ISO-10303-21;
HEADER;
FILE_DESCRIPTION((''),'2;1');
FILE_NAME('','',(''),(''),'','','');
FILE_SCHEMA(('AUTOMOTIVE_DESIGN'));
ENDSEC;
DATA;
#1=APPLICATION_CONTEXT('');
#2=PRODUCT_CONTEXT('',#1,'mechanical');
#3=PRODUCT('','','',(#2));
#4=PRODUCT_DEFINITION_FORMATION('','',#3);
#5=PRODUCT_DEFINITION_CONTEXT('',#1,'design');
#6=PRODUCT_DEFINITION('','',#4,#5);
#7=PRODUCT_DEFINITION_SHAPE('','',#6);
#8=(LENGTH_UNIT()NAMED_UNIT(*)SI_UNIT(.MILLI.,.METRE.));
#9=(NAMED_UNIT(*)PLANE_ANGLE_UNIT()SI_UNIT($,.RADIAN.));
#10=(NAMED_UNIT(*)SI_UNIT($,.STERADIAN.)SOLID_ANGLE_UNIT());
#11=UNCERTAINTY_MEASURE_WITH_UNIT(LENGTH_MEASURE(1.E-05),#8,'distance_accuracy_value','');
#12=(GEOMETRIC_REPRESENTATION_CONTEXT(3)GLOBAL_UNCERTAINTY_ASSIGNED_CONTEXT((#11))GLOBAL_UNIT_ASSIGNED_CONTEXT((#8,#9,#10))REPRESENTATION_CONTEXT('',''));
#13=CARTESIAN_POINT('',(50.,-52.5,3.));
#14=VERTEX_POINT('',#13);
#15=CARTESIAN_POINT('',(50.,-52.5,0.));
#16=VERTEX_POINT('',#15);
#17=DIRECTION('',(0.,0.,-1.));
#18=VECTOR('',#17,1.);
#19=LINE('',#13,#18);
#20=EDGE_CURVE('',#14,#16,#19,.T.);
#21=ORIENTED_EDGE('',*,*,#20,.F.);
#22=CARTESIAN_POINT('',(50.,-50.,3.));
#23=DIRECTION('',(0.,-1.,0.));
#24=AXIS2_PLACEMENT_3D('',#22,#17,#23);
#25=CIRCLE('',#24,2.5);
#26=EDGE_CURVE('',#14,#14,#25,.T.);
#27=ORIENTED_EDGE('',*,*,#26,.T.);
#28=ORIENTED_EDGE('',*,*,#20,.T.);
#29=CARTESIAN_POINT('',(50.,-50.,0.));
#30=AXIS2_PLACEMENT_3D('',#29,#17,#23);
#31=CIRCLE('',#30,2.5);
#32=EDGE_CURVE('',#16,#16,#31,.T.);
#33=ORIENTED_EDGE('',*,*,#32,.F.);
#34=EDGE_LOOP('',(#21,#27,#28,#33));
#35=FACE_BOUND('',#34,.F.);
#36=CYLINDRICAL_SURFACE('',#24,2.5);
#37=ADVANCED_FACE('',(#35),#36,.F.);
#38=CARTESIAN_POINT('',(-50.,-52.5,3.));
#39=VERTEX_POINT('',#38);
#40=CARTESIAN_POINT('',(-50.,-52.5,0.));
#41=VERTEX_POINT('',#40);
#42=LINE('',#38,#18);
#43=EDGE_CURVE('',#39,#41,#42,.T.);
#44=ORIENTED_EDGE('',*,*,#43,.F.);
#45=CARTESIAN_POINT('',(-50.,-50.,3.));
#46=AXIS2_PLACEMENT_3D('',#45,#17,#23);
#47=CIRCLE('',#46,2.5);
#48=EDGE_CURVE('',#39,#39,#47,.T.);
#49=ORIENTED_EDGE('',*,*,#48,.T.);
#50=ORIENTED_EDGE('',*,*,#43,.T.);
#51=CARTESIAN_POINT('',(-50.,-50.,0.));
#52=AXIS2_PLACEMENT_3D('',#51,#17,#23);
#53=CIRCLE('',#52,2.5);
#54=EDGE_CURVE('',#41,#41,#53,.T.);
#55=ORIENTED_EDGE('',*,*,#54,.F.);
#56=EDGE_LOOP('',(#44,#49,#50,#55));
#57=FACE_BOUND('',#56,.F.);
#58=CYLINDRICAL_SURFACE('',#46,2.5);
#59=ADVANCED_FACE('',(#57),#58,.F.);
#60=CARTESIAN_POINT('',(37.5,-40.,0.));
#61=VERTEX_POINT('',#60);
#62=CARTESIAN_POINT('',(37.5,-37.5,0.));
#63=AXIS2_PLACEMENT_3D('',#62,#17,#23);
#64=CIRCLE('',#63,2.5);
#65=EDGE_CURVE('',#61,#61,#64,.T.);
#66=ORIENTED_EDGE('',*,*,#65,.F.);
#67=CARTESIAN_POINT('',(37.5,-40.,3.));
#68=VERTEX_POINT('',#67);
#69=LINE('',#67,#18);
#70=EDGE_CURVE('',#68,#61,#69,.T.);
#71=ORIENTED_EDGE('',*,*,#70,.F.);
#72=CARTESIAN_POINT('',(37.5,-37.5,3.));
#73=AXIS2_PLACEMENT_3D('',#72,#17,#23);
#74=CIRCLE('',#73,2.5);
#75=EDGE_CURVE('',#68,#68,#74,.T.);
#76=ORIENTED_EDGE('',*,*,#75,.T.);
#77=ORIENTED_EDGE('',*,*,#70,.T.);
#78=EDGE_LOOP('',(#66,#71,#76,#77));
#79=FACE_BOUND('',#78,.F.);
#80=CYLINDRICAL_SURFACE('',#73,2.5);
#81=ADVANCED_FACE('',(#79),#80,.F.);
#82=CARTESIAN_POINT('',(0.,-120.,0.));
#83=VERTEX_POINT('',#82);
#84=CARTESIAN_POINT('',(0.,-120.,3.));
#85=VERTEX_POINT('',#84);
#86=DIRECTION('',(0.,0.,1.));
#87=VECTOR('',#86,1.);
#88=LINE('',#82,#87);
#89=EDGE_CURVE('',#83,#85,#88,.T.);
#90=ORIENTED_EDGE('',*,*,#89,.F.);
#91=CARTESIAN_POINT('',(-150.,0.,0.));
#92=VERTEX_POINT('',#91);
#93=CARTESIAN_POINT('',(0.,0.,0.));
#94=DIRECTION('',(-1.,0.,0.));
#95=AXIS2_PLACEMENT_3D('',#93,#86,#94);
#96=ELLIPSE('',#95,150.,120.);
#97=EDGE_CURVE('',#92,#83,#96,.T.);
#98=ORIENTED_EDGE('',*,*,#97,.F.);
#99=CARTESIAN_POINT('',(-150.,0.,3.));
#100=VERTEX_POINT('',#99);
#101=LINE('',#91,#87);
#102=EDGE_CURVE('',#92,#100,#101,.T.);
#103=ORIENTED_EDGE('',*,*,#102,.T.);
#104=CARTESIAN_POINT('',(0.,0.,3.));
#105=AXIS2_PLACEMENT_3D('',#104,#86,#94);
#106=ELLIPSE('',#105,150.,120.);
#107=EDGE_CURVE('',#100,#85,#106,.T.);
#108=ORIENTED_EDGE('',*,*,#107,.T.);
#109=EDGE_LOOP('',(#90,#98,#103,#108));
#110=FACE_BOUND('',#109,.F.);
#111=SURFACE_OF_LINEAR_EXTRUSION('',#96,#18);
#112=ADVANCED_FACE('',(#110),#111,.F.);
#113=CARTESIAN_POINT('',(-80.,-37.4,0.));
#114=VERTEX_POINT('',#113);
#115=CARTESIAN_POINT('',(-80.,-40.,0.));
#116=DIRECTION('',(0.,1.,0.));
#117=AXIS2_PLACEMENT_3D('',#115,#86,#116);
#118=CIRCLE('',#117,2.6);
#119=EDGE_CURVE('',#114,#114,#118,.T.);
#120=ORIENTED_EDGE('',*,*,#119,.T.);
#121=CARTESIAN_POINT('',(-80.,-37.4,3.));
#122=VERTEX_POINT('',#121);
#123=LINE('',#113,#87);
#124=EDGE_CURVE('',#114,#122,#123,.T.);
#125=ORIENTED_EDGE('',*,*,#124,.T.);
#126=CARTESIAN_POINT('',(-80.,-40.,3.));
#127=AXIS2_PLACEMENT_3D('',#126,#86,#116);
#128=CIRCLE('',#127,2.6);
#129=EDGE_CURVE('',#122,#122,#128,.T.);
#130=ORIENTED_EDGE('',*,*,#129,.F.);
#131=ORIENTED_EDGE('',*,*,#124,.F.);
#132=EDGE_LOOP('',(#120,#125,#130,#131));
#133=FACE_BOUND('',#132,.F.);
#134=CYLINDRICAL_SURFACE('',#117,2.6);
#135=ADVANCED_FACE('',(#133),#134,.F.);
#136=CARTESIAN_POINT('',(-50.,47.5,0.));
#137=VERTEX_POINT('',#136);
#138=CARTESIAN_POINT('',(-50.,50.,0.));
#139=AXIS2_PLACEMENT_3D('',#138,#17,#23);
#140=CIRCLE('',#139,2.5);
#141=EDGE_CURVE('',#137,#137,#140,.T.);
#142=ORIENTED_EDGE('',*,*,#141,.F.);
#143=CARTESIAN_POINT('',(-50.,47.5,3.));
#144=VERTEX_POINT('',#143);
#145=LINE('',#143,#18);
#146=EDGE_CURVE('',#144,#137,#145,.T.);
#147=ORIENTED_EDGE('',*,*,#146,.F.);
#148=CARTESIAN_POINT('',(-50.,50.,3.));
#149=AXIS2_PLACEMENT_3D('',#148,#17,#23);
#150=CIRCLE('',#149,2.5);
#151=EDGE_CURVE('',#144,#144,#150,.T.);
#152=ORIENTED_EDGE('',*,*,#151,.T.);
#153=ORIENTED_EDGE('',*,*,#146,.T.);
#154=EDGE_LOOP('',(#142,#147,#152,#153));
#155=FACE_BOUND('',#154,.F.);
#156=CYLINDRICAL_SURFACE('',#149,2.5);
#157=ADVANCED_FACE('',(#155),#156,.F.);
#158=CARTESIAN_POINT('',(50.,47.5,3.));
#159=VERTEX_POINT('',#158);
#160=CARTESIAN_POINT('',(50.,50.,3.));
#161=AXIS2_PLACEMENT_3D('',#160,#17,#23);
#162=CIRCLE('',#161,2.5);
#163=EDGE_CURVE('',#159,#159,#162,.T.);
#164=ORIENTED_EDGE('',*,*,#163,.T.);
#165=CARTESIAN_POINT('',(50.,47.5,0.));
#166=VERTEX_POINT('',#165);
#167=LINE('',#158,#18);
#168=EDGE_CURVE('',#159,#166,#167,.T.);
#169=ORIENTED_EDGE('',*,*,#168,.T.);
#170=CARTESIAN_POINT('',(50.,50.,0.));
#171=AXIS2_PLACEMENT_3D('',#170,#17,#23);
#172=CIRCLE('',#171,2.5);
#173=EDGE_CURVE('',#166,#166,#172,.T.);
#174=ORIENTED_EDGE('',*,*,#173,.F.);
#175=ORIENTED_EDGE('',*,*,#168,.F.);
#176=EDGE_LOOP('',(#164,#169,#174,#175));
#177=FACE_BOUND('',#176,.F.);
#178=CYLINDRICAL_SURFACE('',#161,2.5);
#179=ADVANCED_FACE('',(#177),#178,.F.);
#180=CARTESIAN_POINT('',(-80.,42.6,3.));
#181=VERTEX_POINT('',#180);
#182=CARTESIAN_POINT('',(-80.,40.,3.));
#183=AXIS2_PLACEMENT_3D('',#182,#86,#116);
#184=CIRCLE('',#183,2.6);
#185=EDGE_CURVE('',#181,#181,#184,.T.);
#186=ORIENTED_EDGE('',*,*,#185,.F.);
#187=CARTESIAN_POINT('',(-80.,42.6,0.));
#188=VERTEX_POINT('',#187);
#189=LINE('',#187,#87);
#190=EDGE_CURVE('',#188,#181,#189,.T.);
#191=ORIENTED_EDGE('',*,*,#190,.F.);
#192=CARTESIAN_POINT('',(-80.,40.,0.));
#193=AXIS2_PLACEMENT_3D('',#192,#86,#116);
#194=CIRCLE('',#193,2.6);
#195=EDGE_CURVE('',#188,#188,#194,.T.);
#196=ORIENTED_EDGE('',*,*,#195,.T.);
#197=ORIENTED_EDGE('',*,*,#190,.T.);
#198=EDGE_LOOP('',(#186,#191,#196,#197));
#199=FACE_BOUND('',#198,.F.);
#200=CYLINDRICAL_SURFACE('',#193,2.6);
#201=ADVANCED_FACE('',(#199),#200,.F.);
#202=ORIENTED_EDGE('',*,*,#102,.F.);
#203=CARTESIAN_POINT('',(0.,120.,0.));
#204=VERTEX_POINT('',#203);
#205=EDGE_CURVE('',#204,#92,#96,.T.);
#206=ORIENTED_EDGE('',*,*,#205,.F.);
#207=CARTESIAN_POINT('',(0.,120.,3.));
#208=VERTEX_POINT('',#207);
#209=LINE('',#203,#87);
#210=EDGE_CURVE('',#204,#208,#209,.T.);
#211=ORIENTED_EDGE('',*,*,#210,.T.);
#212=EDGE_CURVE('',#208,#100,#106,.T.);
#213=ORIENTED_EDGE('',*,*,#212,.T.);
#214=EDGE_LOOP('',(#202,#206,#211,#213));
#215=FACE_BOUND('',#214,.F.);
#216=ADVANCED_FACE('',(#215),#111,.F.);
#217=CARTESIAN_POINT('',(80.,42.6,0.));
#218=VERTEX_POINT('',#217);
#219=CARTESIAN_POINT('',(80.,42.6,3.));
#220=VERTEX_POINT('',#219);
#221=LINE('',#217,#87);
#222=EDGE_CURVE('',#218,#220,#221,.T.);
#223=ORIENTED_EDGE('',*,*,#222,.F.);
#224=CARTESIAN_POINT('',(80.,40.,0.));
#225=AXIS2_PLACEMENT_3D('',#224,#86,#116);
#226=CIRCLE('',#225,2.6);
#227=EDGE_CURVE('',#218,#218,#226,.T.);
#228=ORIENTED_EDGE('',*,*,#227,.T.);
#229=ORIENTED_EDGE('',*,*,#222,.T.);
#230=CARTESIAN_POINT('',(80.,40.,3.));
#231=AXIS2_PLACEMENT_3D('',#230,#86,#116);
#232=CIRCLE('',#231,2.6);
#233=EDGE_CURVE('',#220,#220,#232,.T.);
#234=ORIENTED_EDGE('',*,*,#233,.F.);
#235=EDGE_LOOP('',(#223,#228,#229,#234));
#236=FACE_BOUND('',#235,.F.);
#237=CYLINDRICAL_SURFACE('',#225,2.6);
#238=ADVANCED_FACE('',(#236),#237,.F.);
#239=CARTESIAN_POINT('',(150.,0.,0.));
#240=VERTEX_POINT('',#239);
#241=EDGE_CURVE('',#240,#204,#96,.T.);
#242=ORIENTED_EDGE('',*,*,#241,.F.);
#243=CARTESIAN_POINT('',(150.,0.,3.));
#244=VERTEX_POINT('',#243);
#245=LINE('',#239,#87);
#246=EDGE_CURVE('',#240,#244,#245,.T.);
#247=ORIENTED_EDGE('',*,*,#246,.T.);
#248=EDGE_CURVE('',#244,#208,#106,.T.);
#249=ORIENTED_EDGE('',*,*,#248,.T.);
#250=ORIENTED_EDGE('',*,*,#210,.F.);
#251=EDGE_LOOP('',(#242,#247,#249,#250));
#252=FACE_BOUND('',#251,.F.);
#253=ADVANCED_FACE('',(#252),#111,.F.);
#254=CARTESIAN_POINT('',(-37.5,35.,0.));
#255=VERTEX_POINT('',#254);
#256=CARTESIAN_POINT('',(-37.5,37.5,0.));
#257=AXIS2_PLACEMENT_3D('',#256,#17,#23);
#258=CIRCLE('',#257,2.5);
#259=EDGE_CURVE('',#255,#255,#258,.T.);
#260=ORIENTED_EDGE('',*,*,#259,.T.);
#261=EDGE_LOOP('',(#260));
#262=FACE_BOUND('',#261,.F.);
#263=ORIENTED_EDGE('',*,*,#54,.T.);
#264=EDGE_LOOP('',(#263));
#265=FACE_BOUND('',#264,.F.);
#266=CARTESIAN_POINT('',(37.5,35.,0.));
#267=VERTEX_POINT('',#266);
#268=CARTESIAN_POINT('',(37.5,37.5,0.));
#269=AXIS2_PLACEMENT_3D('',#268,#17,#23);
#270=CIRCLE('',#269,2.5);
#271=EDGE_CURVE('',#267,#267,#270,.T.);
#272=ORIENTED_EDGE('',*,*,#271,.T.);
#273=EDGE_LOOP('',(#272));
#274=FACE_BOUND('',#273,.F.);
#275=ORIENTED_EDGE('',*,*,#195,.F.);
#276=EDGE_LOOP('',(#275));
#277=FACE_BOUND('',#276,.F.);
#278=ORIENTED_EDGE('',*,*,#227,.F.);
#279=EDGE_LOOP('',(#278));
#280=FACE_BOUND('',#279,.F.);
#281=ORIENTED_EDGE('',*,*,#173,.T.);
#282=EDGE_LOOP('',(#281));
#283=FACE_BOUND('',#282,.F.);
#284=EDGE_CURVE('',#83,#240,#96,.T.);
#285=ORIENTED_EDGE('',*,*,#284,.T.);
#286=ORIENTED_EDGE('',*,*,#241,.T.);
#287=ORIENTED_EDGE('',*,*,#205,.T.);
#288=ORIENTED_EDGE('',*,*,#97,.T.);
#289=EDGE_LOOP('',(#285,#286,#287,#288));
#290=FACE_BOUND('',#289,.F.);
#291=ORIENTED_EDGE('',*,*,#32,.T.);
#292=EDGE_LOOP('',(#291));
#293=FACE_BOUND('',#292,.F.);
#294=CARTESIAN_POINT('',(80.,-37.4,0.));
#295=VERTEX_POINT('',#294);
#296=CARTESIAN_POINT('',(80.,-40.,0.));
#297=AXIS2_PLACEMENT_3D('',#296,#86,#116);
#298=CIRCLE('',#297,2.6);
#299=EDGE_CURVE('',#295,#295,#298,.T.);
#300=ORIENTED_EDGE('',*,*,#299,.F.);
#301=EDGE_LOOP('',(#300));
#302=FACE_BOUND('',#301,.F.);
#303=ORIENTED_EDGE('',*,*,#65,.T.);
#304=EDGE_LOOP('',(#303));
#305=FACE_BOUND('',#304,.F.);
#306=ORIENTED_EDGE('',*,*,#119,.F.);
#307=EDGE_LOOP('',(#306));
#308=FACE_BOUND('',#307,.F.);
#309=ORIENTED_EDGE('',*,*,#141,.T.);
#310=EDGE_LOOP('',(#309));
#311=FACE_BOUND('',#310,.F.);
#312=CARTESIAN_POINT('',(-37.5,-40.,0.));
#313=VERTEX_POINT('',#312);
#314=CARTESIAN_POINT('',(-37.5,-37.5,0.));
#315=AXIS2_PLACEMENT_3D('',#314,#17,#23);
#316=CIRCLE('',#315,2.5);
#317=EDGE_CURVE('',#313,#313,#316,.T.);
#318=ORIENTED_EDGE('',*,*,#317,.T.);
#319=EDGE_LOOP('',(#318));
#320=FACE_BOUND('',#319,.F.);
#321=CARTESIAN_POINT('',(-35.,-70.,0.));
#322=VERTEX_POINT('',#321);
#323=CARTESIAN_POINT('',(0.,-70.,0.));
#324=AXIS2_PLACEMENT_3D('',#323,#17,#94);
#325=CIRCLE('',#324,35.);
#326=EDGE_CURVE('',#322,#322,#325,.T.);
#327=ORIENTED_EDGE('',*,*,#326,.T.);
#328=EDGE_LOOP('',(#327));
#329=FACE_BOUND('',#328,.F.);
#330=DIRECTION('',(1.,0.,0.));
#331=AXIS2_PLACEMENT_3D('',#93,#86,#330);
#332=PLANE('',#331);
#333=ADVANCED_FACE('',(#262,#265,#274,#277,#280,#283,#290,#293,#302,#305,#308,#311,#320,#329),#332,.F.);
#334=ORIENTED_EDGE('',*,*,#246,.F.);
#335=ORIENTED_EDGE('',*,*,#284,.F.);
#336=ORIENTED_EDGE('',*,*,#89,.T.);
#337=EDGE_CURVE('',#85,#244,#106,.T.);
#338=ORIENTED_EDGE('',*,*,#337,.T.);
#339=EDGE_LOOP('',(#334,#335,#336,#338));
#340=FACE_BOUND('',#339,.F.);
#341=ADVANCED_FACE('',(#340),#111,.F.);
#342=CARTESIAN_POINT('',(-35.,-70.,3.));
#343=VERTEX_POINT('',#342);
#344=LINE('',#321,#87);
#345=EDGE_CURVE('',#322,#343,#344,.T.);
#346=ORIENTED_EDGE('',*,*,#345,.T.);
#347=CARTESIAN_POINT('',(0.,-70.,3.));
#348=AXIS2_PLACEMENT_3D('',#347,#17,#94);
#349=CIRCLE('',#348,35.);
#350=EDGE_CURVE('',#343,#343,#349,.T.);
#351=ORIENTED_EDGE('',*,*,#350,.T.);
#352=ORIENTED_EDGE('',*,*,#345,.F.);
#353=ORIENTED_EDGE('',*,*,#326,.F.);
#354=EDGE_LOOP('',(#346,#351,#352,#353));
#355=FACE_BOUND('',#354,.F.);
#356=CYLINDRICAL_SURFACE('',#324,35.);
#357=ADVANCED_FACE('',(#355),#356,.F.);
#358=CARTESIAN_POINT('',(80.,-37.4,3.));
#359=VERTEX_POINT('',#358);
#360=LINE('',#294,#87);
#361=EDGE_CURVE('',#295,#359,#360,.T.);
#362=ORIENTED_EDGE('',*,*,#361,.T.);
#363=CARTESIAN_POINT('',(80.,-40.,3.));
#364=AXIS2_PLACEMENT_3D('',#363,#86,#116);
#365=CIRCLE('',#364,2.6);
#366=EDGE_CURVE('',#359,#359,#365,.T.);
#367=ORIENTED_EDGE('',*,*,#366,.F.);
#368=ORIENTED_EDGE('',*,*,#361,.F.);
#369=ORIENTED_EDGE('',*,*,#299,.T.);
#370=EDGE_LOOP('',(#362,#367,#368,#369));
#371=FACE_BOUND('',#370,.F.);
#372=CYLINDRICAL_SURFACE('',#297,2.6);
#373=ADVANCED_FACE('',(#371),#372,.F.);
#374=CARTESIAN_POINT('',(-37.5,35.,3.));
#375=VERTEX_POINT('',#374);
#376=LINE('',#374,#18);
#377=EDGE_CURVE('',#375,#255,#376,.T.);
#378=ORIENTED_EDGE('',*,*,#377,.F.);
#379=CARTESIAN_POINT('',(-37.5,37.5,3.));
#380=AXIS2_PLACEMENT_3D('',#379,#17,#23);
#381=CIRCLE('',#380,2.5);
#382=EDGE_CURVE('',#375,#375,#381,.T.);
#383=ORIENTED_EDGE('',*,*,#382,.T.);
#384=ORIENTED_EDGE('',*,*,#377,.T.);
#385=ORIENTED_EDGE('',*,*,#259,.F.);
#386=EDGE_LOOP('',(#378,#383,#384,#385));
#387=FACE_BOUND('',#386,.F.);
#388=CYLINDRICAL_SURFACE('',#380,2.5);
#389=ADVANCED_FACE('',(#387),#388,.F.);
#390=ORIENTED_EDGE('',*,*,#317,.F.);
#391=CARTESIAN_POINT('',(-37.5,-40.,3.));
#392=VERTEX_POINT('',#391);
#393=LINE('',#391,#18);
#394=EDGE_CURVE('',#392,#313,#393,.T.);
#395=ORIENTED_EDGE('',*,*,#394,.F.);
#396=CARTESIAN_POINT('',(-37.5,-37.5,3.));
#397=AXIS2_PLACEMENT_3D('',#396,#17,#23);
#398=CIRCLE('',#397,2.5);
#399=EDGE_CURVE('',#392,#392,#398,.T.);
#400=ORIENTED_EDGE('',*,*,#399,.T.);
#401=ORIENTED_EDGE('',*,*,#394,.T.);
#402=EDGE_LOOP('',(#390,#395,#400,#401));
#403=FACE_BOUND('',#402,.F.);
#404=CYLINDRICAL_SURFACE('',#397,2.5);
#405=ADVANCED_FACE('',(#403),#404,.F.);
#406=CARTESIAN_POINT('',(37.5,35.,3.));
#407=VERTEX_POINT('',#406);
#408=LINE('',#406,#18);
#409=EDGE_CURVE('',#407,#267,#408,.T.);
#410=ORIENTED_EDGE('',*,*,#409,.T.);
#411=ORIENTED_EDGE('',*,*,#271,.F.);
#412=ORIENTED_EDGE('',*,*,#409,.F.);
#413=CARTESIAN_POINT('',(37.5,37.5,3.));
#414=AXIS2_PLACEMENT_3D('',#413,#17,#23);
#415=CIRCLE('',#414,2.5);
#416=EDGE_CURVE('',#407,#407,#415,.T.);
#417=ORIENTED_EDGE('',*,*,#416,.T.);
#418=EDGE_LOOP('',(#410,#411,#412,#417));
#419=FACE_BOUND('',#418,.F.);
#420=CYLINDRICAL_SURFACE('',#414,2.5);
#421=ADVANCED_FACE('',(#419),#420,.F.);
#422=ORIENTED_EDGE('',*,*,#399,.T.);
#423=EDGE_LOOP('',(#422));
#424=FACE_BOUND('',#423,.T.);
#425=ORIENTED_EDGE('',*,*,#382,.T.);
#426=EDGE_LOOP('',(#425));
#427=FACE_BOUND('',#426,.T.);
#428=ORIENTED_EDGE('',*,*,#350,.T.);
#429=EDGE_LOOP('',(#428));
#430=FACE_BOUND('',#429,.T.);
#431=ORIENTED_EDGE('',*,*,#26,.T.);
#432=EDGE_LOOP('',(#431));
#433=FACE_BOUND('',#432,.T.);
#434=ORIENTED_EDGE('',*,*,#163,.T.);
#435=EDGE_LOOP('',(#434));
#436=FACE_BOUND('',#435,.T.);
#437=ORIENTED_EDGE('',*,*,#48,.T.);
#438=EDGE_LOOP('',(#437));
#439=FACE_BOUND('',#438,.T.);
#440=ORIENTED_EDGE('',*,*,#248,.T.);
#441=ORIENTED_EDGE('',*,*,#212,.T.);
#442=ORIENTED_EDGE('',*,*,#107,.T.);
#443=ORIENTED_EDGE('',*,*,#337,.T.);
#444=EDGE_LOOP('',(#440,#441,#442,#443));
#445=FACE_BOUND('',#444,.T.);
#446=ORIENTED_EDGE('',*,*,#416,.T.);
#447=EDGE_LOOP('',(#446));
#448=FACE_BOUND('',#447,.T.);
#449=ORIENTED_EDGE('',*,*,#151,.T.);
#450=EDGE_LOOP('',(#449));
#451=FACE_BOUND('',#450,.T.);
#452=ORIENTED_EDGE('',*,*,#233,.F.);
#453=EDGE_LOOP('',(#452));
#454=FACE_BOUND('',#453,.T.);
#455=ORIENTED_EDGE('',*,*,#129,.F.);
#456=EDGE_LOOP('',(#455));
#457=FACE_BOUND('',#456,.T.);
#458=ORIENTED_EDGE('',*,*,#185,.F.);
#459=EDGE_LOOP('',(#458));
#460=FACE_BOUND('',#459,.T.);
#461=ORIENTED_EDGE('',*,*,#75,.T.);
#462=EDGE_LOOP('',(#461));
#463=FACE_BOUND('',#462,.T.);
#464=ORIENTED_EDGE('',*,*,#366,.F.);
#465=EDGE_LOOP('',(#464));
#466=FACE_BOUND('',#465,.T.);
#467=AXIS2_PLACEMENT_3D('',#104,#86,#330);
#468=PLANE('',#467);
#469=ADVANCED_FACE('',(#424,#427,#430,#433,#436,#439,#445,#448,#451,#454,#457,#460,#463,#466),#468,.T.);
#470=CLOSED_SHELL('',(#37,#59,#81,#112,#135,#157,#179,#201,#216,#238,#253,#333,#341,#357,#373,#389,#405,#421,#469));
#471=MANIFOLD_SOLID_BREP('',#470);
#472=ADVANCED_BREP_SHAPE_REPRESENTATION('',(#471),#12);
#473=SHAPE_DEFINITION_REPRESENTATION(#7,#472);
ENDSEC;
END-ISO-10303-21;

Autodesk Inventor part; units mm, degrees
ref_plane "YZ Plane" through (0, 0, 0) normal (1, 0, 0) x (0, 1, 0)
ref_plane "XZ Plane" through (0, 0, 0) normal (0, 1, 0) x (-1, 0, 0)
ref_plane "XY Plane" through (0, 0, 0) normal (0, 0, 1) x (1, 0, 0)
sketch "Skizze1" plane through (0, 0, 0) normal (0, 0, 1) x (1, 0, 0)
  line L0 (-210, 0) -> (210, 0) projected
  line L1 (0, -168) -> (0, 168) projected
  ellipse E0 centre (0, 0) end of major axis (-150, 0) minor radius 120
  line L2 (0, 120) -> (0, -120) construction
  line L3 (-150, 0) -> (150, 0) construction
  dimension "d0" = 300
  dimension "d1" = 240
extrude "Extrusion1" add sketch "Skizze1" along normal blind 3
sketch "Skizze4" plane through (0, 0, 0) normal (0, 0, -1) x (-1, 0, 0)
  line L0 (210, 0) -> (-210, 0) projected
  line L1 (0, -168) -> (0, 168) projected
  line L2 (80, -40) -> (-80, -40)
  line L3 (-80, -40) -> (-80, 40)
  line L4 (-80, 40) -> (80, 40)
  line L5 (80, 40) -> (80, -40)
  line L6 (80, -40) -> (-80, 40) construction
  line L7 (-80, -40) -> (80, 40) construction
  point P0 (0, 0)
  dimension "d25" = 80
  dimension "d26" = 160
hole "Bohrung2" at (80, 40, 0) at (80, -40, 0) at (-80, -40, 0) at (-80, 40, 0) direction (0, 0, 1) diameter 5.2 end through all
sketch "Skizze5" plane through (0, 0, 0) normal (0, 0, -1) x (-1, 0, 0)
  circle A0 centre (0, -70) radius 35 projected
  point P0 (0, 0)
extrude "Extrusion3" cut sketch "Skizze5" against normal through all
sketch "Skizze6" plane through (0, 0, 3) normal (0, 0, 1) x (1, 0, 0)
  line L0 (37.5, -37.5) -> (-37.5, -37.5)
  line L1 (-37.5, -37.5) -> (-37.5, 37.5)
  line L2 (-37.5, 37.5) -> (37.5, 37.5)
  line L3 (37.5, 37.5) -> (37.5, -37.5)
  line L4 (37.5, -37.5) -> (-37.5, 37.5) construction
  line L5 (-37.5, -37.5) -> (37.5, 37.5) construction
  line L6 (50, -50) -> (-50, -50)
  line L7 (-50, -50) -> (-50, 50)
  line L8 (-50, 50) -> (50, 50)
  line L9 (50, 50) -> (50, -50)
  line L10 (50, -50) -> (-50, 50) construction
  line L11 (-50, -50) -> (50, 50) construction
  point P0 (0, 0)
  dimension "d36" = 100
  dimension "d37" = 100
  dimension "d38" = 75
hole "Bohrung3" at (-50, 50, 3) at (-37.5, 37.5, 3) at (37.5, 37.5, 3) at (50, 50, 3) at (50, -50, 3) at (37.5, -37.5, 3) at (-37.5, -37.5, 3) at (-50, -50, 3) direction (0, 0, -1) diameter 5 end through all
equation "\"d37\" = d36"
properties part number "24_0497_0015" material "LCP-Kunststoff"
